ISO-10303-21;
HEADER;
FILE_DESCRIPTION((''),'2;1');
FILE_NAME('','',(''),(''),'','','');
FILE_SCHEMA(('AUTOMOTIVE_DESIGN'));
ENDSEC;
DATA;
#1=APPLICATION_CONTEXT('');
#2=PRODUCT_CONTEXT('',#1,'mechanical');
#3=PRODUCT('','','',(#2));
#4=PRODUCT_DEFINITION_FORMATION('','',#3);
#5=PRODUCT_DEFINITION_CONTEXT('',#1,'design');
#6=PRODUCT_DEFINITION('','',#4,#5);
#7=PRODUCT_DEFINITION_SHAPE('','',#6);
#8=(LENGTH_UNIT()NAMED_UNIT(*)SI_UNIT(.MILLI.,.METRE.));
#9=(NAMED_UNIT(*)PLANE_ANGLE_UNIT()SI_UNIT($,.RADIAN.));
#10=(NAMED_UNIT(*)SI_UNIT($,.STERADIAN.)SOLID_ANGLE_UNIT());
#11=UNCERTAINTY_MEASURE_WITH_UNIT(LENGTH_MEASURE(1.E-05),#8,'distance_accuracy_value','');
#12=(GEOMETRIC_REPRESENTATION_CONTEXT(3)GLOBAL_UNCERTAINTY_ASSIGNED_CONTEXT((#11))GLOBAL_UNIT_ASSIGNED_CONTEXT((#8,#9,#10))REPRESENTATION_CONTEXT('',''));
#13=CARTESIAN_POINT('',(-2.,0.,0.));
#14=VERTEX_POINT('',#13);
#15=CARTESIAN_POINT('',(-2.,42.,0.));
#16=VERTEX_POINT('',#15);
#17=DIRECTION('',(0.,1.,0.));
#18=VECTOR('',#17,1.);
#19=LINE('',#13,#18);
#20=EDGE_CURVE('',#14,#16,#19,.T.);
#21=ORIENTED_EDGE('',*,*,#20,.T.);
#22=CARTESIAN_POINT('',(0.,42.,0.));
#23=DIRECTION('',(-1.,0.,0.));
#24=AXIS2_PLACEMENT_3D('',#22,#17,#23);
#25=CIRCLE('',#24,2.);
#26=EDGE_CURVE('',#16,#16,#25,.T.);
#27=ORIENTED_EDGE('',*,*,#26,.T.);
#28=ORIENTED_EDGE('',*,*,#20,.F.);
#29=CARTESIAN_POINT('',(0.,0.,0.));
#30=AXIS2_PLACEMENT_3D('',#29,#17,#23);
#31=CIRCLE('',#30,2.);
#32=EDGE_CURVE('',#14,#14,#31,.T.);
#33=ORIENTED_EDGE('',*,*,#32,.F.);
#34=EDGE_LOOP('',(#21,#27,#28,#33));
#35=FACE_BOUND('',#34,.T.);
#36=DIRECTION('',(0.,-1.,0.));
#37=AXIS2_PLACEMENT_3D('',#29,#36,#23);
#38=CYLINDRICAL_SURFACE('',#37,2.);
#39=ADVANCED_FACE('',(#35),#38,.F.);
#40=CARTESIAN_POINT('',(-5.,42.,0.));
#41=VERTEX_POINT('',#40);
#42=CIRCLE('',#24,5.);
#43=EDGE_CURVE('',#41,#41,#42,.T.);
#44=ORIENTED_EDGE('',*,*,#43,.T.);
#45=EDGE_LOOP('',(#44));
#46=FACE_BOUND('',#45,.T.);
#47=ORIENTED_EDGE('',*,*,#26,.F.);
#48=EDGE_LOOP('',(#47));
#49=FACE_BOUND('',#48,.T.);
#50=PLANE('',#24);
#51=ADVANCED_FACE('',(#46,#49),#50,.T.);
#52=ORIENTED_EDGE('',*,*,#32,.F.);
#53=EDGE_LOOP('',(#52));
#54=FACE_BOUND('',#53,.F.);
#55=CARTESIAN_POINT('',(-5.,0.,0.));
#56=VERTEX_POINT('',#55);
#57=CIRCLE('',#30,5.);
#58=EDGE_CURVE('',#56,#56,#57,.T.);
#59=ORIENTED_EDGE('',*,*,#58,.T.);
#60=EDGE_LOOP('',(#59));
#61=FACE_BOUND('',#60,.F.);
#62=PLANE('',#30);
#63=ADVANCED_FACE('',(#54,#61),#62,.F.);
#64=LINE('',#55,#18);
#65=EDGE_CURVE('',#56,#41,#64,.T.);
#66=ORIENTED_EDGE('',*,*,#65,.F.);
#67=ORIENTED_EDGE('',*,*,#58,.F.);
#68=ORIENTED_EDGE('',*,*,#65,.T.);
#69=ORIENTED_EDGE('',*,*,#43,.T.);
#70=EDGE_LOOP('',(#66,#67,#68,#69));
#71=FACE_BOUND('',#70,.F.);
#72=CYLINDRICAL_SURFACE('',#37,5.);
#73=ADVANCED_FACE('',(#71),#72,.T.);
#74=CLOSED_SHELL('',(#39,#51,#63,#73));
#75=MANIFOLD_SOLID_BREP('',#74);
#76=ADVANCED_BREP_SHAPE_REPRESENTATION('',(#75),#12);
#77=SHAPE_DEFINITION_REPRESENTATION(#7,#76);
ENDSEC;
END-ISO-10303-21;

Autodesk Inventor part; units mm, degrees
ref_plane "YZ Plane" through (0, 0, 0) normal (1, 0, 0) x (0, 1, 0)
ref_plane "XZ Plane" through (0, 0, 0) normal (0, 1, 0) x (-1, 0, 0)
ref_plane "XY Plane" through (0, 0, 0) normal (0, 0, 1) x (1, 0, 0)
sketch "Sketch1" plane through (0, 0, 0) normal (0, 1, 0) x (-1, 0, 0)
  circle A0 centre (0, 0) radius 5
  circle A1 centre (0, 0) radius 2
  dimension "d0" = 10
  dimension "d1" = 4
extrude "Extrusion1" add sketch "Sketch1" along normal blind 42
properties part number "BushingLarge"
